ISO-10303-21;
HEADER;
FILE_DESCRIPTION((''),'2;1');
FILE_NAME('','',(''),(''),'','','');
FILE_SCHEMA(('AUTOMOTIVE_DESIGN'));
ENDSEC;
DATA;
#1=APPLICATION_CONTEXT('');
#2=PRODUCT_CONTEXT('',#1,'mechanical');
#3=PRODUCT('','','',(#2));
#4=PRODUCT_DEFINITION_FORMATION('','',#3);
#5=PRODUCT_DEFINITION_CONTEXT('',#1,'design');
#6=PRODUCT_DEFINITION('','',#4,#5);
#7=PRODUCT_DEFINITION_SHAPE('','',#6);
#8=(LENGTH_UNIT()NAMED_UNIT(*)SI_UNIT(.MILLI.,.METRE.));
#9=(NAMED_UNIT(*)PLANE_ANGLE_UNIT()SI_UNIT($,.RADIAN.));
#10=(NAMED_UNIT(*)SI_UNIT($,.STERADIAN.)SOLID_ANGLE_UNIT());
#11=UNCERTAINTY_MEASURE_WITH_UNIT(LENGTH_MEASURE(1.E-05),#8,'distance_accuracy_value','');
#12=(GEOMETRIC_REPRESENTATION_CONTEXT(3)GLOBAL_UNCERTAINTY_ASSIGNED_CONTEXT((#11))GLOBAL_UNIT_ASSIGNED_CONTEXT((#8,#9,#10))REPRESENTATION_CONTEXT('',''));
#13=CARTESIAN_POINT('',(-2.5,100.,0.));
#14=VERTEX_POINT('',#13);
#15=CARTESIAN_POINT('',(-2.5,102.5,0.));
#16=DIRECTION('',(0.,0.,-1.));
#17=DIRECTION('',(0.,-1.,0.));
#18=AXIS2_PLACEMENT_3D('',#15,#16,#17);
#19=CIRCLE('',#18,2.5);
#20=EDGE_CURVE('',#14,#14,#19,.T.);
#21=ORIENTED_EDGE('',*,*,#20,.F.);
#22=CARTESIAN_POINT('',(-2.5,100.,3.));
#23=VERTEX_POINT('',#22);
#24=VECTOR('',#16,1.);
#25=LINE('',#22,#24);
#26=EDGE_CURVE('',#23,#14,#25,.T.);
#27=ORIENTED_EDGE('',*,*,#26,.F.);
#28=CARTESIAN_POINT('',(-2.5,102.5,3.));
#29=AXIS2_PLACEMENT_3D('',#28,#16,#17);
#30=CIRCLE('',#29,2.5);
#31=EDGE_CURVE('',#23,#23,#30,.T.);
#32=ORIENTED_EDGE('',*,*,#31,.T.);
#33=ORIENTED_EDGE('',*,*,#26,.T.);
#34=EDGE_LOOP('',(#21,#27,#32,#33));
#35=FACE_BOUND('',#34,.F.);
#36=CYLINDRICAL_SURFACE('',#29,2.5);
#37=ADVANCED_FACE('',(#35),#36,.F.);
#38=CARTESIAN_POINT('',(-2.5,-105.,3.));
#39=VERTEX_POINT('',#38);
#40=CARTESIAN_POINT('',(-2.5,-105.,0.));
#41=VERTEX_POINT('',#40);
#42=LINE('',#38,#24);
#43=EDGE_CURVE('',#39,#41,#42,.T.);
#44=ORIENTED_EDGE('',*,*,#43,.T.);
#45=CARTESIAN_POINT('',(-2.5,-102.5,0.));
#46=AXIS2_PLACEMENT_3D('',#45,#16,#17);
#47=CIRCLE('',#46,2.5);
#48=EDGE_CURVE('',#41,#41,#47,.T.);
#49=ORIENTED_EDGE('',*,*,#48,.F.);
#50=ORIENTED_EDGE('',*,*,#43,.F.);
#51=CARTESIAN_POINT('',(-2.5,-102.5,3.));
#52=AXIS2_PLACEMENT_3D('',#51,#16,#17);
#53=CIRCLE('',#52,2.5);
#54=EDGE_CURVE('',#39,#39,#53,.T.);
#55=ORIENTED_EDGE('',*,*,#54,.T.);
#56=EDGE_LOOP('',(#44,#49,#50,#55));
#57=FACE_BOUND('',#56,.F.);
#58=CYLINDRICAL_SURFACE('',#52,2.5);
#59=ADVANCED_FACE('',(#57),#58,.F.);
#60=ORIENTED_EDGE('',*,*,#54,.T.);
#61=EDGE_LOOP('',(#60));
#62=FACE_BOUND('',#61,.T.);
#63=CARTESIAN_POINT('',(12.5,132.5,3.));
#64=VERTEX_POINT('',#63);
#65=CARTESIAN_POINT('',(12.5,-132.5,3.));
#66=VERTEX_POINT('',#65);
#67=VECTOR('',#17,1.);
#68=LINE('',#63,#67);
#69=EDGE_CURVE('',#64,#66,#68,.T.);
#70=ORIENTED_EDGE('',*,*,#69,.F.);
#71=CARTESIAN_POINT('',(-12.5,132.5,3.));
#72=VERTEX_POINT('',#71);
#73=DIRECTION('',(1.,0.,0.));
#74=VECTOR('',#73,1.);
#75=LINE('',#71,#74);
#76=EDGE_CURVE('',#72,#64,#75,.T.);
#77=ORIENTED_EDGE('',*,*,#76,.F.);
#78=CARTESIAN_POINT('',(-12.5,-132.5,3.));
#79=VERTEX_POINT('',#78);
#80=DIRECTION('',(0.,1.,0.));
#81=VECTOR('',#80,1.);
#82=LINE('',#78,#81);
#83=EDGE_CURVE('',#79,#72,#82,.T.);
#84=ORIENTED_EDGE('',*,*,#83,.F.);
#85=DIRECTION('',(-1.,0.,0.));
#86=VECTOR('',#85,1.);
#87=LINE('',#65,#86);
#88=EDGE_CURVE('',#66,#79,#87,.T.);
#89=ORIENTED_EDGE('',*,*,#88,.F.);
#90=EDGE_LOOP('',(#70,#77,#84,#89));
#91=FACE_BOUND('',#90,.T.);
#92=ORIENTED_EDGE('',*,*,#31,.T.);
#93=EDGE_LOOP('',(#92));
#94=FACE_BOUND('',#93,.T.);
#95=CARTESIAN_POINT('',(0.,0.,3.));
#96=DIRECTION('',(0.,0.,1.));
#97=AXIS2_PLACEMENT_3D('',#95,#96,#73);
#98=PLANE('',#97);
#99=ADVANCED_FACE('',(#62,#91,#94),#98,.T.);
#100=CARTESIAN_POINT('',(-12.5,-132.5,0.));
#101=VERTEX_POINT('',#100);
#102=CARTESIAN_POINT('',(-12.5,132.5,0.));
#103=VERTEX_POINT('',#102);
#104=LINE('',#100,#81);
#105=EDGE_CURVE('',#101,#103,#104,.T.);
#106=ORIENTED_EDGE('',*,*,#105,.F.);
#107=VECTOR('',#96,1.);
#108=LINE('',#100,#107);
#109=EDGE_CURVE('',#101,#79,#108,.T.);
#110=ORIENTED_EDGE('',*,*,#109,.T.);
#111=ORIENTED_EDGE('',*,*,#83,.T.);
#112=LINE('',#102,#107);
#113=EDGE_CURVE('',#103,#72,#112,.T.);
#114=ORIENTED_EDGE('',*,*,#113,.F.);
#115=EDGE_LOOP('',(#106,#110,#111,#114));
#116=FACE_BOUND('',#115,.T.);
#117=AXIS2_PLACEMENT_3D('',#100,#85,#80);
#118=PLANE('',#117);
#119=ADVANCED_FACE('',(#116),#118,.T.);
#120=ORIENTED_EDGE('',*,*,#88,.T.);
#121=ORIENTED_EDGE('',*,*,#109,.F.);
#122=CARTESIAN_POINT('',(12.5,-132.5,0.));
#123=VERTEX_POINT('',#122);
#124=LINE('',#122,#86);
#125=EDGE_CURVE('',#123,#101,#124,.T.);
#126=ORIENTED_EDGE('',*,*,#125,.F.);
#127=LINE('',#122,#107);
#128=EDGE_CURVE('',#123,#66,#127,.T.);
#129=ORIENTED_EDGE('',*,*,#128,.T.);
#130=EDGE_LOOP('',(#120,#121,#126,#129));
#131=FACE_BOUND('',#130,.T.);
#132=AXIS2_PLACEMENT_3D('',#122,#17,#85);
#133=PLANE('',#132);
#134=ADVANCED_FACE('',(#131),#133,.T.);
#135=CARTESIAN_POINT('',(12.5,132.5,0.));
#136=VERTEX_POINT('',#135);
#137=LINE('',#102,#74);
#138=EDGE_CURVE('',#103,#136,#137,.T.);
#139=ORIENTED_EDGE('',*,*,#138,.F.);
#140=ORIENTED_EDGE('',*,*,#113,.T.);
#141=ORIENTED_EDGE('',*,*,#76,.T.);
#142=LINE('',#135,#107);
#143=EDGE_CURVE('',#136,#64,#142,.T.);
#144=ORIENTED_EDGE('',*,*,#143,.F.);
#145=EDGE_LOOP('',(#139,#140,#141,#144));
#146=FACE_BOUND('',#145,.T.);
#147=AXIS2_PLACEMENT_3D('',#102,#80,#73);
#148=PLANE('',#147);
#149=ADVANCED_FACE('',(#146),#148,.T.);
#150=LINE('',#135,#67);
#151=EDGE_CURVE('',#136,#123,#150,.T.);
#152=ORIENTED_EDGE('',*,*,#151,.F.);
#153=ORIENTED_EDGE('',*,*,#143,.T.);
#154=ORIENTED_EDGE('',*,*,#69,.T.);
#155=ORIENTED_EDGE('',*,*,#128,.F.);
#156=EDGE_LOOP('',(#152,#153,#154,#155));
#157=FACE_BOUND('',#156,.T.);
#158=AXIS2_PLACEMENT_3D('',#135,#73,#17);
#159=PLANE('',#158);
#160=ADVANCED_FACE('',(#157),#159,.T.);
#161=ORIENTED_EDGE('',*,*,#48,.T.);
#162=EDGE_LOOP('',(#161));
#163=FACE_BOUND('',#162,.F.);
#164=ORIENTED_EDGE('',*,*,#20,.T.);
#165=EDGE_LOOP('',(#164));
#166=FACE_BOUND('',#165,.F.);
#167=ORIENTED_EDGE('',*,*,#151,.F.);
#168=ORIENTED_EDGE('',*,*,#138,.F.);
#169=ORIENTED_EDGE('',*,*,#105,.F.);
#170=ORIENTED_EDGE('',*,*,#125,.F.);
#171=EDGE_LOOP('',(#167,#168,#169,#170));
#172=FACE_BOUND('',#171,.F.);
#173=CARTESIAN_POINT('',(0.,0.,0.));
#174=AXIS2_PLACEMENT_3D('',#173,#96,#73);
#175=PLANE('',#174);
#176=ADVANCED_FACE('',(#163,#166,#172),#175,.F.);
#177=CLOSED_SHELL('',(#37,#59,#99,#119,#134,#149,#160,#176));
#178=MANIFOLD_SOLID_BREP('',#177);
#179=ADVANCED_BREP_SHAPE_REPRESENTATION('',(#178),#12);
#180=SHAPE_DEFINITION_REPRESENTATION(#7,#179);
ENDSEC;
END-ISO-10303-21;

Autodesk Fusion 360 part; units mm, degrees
sketch "Sketch1" plane through (0, 0, 0) normal (0, 0, 1) x (1, 0, 0)
  line L0 (12.5, -132.5) -> (-12.5, -132.5)
  line L1 (-12.5, -132.5) -> (-12.5, 132.5)
  line L2 (-12.5, 132.5) -> (12.5, 132.5)
  line L3 (12.5, 132.5) -> (12.5, -132.5)
  line L4 (12.5, -132.5) -> (-12.5, 132.5) construction
  line L5 (-12.5, -132.5) -> (12.5, 132.5) construction
  dimension "d1" = 25
  dimension "d2" = 265
extrude "Extrude1" add sketch "Sketch1" along normal blind 3
hole "Hole1" at (-2.5, 92.5, 3) direction (0, 0, -1) diameter 5 depth 65 tip angle 118
hole "Hole2" at (-2.5, -92.5, 3) direction (0, 0, -1) diameter 5 depth 65 tip angle 118
